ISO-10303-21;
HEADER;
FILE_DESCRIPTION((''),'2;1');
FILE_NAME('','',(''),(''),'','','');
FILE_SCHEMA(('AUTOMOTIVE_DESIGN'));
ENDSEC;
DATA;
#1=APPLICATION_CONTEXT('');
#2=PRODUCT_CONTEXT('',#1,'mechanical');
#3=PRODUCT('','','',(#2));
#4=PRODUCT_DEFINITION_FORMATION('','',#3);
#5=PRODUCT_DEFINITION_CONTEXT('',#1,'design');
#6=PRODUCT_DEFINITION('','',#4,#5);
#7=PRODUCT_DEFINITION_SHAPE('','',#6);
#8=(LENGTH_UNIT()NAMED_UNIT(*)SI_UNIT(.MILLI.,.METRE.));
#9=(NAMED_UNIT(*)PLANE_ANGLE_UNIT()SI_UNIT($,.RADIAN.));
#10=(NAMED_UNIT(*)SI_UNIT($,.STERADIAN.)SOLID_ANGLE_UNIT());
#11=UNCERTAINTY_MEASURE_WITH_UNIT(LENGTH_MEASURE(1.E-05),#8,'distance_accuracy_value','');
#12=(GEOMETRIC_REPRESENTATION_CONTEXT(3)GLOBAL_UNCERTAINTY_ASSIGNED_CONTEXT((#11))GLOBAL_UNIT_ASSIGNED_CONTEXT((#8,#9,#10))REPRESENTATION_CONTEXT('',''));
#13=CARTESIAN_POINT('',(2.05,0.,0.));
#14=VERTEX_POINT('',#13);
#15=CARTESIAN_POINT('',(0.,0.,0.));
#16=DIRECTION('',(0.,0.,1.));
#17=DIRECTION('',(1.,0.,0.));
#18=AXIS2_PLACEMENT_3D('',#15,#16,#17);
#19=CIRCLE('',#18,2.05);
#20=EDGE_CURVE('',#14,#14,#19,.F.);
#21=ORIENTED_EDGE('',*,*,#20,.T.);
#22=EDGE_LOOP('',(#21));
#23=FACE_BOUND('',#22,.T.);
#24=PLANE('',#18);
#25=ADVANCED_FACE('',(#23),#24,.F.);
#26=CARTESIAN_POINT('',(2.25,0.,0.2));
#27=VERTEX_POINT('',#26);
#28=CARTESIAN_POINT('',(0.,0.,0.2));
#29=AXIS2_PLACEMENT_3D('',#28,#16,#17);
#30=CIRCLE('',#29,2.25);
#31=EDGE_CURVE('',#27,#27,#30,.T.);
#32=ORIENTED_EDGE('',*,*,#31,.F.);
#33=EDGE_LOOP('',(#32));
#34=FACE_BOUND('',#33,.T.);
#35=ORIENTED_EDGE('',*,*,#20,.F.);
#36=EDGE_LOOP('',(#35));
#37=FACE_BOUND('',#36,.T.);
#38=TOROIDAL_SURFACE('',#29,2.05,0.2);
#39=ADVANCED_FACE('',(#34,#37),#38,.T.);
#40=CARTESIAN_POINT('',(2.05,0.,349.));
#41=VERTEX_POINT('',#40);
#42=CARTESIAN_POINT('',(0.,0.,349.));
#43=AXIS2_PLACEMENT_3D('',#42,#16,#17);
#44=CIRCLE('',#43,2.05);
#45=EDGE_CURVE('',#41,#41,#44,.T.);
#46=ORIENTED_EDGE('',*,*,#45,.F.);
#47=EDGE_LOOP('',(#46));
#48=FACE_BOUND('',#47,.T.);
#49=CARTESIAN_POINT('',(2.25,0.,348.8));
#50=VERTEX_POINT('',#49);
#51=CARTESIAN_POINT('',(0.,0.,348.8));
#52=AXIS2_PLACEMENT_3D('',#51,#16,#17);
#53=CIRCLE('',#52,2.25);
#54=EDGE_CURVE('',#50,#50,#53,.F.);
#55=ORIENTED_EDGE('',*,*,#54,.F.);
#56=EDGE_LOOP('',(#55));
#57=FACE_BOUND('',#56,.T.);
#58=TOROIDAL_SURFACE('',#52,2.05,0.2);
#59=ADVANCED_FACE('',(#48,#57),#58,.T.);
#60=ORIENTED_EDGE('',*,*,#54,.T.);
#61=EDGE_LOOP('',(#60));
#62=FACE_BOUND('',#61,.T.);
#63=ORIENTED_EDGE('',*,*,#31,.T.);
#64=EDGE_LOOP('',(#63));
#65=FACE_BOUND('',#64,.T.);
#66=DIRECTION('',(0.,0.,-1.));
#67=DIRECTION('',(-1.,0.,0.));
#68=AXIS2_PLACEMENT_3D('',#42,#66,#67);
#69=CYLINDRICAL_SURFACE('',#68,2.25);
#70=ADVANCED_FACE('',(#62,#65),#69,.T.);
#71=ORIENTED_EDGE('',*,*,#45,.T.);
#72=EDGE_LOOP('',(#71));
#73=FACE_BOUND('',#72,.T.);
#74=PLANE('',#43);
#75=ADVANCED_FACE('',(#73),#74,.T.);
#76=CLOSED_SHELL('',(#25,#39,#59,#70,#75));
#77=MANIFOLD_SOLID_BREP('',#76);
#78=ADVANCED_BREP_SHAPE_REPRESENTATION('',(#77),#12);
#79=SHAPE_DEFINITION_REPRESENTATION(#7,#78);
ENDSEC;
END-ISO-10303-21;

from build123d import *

# Parameters (mm, degrees)
ESQUISSE1_R      = 2.25
EXTRUSION1_DEPTH = 349
CONG_1_R         = 0.2


with BuildPart() as part:
    # Esquisse1 → Extrusion1 (new body)
    with BuildSketch(Plane.XY):
        Circle(ESQUISSE1_R)
    extrude(amount=EXTRUSION1_DEPTH)

    # Congé1
    cong_1_edges = [part.edges().sort_by_distance(p)[0] for p in [
        (-2.25, 0, 0),
        (-2.25, 0, 349),
    ]]
    fillet(cong_1_edges, radius=CONG_1_R)


solid = part.part
